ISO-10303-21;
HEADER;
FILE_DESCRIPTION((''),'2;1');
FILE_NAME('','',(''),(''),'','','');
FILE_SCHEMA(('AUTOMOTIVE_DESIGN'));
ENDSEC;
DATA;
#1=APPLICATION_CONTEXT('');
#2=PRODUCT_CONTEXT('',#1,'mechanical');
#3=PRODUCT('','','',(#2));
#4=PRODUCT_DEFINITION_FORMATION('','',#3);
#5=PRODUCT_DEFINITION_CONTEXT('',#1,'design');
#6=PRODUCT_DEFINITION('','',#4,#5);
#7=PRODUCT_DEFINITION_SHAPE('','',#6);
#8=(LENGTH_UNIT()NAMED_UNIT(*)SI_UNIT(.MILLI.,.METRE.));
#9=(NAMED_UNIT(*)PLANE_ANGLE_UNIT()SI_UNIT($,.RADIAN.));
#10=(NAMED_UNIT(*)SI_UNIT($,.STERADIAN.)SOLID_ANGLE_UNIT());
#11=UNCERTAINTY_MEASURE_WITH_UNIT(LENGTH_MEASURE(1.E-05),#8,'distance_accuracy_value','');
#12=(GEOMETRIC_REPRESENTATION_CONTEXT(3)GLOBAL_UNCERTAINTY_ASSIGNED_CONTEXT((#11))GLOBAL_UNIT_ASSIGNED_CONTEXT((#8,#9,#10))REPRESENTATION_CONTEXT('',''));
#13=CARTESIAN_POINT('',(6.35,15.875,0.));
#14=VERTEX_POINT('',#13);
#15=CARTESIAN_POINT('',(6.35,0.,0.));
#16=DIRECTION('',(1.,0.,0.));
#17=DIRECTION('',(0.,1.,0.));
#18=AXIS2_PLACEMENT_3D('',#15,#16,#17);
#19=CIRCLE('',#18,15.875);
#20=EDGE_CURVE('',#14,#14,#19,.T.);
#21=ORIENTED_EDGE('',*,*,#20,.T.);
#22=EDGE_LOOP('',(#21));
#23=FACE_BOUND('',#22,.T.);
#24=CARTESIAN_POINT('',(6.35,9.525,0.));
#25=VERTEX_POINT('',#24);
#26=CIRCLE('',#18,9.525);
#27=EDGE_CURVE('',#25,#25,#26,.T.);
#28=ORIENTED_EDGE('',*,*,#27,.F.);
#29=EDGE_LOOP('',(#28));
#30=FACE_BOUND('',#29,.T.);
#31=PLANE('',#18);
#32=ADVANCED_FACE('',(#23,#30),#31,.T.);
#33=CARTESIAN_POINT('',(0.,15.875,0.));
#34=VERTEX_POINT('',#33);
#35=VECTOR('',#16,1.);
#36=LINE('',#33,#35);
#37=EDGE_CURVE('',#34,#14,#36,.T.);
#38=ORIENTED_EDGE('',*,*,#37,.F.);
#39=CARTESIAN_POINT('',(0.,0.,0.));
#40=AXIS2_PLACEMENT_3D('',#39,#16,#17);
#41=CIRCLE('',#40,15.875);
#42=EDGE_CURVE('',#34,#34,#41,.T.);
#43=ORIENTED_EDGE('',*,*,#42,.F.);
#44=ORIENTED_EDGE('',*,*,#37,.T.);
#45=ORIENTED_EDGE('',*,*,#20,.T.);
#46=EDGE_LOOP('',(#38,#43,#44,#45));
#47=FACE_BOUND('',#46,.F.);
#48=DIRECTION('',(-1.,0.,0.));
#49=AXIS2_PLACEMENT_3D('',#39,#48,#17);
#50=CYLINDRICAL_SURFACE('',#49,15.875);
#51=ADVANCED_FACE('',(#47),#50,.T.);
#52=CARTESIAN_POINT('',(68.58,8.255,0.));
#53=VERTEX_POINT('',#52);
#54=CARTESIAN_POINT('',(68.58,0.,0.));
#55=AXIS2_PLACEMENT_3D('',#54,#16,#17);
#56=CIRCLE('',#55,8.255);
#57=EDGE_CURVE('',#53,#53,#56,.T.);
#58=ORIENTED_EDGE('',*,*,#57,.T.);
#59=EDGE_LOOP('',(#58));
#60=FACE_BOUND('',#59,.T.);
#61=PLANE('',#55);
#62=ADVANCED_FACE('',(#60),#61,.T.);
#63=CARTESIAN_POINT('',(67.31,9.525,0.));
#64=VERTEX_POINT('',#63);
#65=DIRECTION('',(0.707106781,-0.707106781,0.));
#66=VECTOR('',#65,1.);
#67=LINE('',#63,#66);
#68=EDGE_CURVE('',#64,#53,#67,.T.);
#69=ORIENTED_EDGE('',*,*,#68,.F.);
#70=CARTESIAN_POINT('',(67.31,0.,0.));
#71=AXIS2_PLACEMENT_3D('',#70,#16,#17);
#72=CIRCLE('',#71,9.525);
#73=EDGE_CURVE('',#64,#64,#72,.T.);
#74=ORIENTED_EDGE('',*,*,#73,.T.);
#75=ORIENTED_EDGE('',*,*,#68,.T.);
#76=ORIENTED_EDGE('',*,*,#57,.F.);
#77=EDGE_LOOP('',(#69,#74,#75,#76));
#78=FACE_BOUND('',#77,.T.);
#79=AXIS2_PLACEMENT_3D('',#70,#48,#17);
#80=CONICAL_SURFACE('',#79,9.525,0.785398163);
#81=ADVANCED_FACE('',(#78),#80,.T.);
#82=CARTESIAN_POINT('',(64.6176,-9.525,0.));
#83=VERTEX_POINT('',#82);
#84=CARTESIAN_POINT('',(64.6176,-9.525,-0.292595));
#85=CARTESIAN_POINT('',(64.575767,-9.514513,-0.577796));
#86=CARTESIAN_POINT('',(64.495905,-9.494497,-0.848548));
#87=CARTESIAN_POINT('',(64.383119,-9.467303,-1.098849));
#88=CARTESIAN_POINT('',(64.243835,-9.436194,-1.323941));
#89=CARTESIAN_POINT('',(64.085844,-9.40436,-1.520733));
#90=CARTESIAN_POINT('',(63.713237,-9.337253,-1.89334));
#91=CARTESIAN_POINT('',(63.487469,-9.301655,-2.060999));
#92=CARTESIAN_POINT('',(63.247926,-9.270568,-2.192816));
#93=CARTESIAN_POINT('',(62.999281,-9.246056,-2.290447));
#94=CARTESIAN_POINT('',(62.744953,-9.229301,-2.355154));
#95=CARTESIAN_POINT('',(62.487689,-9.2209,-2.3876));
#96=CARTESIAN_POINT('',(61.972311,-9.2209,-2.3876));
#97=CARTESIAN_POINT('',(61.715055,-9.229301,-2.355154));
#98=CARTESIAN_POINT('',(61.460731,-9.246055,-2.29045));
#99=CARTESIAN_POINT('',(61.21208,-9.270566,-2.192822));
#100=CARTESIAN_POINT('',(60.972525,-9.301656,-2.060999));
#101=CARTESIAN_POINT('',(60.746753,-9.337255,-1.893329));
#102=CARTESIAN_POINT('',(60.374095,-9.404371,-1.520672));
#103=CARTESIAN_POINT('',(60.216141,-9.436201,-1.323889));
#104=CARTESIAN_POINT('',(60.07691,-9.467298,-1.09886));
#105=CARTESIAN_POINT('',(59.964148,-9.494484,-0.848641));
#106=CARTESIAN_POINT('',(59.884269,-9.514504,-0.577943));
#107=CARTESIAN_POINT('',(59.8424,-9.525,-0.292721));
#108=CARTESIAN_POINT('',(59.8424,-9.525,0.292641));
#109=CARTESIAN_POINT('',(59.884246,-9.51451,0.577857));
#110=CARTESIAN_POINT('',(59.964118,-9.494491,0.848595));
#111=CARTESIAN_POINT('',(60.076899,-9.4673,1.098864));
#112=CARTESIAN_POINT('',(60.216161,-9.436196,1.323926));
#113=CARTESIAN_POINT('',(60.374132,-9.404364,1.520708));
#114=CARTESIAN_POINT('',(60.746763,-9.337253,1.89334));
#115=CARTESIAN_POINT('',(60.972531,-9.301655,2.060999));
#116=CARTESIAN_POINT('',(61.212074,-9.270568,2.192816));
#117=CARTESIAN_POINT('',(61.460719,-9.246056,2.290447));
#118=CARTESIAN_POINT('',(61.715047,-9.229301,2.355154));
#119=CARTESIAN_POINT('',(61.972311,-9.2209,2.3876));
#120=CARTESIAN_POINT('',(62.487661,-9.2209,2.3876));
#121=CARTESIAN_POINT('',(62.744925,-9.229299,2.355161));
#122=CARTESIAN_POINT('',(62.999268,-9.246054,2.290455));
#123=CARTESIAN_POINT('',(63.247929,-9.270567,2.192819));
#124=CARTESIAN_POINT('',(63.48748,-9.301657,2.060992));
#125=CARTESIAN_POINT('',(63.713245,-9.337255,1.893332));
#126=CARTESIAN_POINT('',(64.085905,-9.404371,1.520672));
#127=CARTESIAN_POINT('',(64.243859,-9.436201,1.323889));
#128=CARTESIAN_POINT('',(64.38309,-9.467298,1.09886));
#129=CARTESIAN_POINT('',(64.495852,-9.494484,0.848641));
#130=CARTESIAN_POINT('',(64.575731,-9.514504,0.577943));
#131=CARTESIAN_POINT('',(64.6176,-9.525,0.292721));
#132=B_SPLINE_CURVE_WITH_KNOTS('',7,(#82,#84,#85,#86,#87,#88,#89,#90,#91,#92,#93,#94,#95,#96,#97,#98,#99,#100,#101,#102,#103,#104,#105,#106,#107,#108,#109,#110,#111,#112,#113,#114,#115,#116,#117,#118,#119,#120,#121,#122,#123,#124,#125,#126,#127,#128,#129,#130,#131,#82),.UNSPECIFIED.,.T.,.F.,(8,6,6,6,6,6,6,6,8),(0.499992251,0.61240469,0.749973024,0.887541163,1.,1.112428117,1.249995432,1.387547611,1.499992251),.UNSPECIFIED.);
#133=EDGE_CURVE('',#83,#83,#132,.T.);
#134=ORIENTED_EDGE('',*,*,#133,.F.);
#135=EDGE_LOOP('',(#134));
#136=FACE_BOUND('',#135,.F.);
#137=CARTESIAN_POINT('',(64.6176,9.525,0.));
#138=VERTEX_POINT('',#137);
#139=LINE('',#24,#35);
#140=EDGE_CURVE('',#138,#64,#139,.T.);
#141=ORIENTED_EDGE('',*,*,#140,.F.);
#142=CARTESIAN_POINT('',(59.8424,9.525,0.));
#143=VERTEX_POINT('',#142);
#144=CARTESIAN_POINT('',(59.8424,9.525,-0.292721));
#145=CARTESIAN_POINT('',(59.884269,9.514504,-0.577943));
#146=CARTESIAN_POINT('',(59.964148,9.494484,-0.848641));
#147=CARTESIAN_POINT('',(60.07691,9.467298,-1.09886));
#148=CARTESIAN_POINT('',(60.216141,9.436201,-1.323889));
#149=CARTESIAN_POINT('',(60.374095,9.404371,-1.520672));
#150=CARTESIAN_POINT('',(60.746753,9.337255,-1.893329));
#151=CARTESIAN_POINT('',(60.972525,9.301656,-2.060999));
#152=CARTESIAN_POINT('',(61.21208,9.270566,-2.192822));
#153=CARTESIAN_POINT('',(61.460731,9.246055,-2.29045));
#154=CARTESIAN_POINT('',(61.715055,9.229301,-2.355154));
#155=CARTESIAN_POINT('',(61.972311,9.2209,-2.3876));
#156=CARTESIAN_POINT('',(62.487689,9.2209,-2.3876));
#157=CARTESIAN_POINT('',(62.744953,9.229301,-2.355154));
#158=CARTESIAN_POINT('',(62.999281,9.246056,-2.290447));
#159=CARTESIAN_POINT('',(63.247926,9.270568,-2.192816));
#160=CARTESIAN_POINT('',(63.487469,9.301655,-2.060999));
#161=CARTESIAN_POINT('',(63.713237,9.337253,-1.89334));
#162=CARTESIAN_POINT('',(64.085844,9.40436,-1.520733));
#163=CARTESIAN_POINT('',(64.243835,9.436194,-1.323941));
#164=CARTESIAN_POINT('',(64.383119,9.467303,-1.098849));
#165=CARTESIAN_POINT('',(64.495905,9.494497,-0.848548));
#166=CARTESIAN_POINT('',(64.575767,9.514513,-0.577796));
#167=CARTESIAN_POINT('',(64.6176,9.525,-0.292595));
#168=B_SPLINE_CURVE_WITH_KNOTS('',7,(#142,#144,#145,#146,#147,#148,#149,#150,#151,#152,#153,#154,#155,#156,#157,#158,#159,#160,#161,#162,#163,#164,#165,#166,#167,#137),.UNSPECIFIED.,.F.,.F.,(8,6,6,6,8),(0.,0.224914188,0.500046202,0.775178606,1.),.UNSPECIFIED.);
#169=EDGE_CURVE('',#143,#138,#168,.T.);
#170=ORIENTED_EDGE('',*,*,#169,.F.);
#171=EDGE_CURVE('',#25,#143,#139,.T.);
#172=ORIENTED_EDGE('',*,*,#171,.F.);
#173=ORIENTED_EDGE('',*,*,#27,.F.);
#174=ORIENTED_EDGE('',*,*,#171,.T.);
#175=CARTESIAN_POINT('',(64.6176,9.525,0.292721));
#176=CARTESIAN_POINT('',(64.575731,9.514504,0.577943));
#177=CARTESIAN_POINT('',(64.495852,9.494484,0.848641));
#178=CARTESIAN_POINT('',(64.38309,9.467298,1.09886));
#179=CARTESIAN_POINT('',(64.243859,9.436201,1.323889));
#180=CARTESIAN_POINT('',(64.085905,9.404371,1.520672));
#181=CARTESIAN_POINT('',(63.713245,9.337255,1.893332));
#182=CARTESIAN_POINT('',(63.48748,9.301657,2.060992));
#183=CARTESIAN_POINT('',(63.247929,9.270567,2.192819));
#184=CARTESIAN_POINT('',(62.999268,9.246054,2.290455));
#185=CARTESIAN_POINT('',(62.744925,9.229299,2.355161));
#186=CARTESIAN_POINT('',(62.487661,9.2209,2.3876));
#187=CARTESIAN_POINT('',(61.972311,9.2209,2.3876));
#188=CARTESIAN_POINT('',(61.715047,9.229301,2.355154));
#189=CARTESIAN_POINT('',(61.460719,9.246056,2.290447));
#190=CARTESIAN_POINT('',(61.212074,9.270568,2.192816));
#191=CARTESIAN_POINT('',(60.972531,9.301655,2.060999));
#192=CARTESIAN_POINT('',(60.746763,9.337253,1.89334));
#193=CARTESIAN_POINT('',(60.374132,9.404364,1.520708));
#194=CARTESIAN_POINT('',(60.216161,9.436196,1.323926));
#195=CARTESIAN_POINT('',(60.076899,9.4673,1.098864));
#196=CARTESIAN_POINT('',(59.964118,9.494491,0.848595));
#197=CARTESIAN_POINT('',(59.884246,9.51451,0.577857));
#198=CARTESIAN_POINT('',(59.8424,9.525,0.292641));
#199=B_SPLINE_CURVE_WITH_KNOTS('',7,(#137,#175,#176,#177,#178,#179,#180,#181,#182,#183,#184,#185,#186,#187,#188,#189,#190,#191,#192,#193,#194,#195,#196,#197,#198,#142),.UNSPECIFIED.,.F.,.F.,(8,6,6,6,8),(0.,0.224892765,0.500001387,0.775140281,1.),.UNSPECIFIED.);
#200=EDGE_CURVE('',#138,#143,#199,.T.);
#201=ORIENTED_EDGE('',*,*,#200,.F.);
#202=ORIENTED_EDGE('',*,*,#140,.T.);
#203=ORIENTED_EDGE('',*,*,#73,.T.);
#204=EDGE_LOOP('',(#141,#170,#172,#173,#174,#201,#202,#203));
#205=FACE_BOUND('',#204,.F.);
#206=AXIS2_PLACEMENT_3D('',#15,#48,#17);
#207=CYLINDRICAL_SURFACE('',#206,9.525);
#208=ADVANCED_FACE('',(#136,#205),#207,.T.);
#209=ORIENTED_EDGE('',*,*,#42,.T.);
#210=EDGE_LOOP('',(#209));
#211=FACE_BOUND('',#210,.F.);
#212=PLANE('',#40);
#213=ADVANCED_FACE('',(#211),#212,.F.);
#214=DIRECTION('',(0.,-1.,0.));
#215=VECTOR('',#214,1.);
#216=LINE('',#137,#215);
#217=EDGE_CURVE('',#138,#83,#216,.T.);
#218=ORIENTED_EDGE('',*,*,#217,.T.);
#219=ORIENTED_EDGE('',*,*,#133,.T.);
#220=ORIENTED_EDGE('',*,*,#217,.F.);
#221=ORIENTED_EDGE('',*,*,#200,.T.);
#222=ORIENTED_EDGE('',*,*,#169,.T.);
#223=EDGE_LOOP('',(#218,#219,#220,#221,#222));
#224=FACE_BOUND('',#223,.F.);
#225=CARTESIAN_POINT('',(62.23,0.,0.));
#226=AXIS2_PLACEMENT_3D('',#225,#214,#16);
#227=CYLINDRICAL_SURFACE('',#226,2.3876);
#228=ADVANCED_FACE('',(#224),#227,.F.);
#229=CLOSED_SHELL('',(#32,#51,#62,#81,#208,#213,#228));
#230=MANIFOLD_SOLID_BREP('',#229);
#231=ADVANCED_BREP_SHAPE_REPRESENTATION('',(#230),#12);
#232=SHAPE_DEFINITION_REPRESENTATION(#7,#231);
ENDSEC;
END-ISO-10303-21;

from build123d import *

# Parameters (mm, degrees)
F0_R     = 15.875
F1_DEPTH = 6.35
F2_R     = 9.525
F3_DEPTH = 62.23
F4_SIZE2 = 1.27
F4_SIZE  = 1.27
F5_R     = 2.3876
F6_DEPTH = 9.525


with BuildPart() as f1:
    # F0 (on Right) → F1 (new body)
    with BuildSketch(Plane.YZ):
        Circle(F0_R)
    extrude(amount=F1_DEPTH)

    # F2 (on face) → F3 (join)
    with BuildSketch(Plane.YZ.offset(6.35)):
        Circle(F2_R)
    extrude(amount=F3_DEPTH)

    # F4
    f4_edges = [f1.edges().sort_by_distance(p)[0] for p in [
        (68.58, -9.525, 0),
    ]]
    chamfer(f4_edges, length=F4_SIZE, length2=F4_SIZE2)

    # F5 (on Front) → F6 (cut, symmetric)
    with BuildSketch(Plane.XZ):
        with Locations((62.23, 0)):
            Circle(F5_R)
    extrude(amount=F6_DEPTH, both=True, mode=Mode.SUBTRACT)


solid = f1.part
